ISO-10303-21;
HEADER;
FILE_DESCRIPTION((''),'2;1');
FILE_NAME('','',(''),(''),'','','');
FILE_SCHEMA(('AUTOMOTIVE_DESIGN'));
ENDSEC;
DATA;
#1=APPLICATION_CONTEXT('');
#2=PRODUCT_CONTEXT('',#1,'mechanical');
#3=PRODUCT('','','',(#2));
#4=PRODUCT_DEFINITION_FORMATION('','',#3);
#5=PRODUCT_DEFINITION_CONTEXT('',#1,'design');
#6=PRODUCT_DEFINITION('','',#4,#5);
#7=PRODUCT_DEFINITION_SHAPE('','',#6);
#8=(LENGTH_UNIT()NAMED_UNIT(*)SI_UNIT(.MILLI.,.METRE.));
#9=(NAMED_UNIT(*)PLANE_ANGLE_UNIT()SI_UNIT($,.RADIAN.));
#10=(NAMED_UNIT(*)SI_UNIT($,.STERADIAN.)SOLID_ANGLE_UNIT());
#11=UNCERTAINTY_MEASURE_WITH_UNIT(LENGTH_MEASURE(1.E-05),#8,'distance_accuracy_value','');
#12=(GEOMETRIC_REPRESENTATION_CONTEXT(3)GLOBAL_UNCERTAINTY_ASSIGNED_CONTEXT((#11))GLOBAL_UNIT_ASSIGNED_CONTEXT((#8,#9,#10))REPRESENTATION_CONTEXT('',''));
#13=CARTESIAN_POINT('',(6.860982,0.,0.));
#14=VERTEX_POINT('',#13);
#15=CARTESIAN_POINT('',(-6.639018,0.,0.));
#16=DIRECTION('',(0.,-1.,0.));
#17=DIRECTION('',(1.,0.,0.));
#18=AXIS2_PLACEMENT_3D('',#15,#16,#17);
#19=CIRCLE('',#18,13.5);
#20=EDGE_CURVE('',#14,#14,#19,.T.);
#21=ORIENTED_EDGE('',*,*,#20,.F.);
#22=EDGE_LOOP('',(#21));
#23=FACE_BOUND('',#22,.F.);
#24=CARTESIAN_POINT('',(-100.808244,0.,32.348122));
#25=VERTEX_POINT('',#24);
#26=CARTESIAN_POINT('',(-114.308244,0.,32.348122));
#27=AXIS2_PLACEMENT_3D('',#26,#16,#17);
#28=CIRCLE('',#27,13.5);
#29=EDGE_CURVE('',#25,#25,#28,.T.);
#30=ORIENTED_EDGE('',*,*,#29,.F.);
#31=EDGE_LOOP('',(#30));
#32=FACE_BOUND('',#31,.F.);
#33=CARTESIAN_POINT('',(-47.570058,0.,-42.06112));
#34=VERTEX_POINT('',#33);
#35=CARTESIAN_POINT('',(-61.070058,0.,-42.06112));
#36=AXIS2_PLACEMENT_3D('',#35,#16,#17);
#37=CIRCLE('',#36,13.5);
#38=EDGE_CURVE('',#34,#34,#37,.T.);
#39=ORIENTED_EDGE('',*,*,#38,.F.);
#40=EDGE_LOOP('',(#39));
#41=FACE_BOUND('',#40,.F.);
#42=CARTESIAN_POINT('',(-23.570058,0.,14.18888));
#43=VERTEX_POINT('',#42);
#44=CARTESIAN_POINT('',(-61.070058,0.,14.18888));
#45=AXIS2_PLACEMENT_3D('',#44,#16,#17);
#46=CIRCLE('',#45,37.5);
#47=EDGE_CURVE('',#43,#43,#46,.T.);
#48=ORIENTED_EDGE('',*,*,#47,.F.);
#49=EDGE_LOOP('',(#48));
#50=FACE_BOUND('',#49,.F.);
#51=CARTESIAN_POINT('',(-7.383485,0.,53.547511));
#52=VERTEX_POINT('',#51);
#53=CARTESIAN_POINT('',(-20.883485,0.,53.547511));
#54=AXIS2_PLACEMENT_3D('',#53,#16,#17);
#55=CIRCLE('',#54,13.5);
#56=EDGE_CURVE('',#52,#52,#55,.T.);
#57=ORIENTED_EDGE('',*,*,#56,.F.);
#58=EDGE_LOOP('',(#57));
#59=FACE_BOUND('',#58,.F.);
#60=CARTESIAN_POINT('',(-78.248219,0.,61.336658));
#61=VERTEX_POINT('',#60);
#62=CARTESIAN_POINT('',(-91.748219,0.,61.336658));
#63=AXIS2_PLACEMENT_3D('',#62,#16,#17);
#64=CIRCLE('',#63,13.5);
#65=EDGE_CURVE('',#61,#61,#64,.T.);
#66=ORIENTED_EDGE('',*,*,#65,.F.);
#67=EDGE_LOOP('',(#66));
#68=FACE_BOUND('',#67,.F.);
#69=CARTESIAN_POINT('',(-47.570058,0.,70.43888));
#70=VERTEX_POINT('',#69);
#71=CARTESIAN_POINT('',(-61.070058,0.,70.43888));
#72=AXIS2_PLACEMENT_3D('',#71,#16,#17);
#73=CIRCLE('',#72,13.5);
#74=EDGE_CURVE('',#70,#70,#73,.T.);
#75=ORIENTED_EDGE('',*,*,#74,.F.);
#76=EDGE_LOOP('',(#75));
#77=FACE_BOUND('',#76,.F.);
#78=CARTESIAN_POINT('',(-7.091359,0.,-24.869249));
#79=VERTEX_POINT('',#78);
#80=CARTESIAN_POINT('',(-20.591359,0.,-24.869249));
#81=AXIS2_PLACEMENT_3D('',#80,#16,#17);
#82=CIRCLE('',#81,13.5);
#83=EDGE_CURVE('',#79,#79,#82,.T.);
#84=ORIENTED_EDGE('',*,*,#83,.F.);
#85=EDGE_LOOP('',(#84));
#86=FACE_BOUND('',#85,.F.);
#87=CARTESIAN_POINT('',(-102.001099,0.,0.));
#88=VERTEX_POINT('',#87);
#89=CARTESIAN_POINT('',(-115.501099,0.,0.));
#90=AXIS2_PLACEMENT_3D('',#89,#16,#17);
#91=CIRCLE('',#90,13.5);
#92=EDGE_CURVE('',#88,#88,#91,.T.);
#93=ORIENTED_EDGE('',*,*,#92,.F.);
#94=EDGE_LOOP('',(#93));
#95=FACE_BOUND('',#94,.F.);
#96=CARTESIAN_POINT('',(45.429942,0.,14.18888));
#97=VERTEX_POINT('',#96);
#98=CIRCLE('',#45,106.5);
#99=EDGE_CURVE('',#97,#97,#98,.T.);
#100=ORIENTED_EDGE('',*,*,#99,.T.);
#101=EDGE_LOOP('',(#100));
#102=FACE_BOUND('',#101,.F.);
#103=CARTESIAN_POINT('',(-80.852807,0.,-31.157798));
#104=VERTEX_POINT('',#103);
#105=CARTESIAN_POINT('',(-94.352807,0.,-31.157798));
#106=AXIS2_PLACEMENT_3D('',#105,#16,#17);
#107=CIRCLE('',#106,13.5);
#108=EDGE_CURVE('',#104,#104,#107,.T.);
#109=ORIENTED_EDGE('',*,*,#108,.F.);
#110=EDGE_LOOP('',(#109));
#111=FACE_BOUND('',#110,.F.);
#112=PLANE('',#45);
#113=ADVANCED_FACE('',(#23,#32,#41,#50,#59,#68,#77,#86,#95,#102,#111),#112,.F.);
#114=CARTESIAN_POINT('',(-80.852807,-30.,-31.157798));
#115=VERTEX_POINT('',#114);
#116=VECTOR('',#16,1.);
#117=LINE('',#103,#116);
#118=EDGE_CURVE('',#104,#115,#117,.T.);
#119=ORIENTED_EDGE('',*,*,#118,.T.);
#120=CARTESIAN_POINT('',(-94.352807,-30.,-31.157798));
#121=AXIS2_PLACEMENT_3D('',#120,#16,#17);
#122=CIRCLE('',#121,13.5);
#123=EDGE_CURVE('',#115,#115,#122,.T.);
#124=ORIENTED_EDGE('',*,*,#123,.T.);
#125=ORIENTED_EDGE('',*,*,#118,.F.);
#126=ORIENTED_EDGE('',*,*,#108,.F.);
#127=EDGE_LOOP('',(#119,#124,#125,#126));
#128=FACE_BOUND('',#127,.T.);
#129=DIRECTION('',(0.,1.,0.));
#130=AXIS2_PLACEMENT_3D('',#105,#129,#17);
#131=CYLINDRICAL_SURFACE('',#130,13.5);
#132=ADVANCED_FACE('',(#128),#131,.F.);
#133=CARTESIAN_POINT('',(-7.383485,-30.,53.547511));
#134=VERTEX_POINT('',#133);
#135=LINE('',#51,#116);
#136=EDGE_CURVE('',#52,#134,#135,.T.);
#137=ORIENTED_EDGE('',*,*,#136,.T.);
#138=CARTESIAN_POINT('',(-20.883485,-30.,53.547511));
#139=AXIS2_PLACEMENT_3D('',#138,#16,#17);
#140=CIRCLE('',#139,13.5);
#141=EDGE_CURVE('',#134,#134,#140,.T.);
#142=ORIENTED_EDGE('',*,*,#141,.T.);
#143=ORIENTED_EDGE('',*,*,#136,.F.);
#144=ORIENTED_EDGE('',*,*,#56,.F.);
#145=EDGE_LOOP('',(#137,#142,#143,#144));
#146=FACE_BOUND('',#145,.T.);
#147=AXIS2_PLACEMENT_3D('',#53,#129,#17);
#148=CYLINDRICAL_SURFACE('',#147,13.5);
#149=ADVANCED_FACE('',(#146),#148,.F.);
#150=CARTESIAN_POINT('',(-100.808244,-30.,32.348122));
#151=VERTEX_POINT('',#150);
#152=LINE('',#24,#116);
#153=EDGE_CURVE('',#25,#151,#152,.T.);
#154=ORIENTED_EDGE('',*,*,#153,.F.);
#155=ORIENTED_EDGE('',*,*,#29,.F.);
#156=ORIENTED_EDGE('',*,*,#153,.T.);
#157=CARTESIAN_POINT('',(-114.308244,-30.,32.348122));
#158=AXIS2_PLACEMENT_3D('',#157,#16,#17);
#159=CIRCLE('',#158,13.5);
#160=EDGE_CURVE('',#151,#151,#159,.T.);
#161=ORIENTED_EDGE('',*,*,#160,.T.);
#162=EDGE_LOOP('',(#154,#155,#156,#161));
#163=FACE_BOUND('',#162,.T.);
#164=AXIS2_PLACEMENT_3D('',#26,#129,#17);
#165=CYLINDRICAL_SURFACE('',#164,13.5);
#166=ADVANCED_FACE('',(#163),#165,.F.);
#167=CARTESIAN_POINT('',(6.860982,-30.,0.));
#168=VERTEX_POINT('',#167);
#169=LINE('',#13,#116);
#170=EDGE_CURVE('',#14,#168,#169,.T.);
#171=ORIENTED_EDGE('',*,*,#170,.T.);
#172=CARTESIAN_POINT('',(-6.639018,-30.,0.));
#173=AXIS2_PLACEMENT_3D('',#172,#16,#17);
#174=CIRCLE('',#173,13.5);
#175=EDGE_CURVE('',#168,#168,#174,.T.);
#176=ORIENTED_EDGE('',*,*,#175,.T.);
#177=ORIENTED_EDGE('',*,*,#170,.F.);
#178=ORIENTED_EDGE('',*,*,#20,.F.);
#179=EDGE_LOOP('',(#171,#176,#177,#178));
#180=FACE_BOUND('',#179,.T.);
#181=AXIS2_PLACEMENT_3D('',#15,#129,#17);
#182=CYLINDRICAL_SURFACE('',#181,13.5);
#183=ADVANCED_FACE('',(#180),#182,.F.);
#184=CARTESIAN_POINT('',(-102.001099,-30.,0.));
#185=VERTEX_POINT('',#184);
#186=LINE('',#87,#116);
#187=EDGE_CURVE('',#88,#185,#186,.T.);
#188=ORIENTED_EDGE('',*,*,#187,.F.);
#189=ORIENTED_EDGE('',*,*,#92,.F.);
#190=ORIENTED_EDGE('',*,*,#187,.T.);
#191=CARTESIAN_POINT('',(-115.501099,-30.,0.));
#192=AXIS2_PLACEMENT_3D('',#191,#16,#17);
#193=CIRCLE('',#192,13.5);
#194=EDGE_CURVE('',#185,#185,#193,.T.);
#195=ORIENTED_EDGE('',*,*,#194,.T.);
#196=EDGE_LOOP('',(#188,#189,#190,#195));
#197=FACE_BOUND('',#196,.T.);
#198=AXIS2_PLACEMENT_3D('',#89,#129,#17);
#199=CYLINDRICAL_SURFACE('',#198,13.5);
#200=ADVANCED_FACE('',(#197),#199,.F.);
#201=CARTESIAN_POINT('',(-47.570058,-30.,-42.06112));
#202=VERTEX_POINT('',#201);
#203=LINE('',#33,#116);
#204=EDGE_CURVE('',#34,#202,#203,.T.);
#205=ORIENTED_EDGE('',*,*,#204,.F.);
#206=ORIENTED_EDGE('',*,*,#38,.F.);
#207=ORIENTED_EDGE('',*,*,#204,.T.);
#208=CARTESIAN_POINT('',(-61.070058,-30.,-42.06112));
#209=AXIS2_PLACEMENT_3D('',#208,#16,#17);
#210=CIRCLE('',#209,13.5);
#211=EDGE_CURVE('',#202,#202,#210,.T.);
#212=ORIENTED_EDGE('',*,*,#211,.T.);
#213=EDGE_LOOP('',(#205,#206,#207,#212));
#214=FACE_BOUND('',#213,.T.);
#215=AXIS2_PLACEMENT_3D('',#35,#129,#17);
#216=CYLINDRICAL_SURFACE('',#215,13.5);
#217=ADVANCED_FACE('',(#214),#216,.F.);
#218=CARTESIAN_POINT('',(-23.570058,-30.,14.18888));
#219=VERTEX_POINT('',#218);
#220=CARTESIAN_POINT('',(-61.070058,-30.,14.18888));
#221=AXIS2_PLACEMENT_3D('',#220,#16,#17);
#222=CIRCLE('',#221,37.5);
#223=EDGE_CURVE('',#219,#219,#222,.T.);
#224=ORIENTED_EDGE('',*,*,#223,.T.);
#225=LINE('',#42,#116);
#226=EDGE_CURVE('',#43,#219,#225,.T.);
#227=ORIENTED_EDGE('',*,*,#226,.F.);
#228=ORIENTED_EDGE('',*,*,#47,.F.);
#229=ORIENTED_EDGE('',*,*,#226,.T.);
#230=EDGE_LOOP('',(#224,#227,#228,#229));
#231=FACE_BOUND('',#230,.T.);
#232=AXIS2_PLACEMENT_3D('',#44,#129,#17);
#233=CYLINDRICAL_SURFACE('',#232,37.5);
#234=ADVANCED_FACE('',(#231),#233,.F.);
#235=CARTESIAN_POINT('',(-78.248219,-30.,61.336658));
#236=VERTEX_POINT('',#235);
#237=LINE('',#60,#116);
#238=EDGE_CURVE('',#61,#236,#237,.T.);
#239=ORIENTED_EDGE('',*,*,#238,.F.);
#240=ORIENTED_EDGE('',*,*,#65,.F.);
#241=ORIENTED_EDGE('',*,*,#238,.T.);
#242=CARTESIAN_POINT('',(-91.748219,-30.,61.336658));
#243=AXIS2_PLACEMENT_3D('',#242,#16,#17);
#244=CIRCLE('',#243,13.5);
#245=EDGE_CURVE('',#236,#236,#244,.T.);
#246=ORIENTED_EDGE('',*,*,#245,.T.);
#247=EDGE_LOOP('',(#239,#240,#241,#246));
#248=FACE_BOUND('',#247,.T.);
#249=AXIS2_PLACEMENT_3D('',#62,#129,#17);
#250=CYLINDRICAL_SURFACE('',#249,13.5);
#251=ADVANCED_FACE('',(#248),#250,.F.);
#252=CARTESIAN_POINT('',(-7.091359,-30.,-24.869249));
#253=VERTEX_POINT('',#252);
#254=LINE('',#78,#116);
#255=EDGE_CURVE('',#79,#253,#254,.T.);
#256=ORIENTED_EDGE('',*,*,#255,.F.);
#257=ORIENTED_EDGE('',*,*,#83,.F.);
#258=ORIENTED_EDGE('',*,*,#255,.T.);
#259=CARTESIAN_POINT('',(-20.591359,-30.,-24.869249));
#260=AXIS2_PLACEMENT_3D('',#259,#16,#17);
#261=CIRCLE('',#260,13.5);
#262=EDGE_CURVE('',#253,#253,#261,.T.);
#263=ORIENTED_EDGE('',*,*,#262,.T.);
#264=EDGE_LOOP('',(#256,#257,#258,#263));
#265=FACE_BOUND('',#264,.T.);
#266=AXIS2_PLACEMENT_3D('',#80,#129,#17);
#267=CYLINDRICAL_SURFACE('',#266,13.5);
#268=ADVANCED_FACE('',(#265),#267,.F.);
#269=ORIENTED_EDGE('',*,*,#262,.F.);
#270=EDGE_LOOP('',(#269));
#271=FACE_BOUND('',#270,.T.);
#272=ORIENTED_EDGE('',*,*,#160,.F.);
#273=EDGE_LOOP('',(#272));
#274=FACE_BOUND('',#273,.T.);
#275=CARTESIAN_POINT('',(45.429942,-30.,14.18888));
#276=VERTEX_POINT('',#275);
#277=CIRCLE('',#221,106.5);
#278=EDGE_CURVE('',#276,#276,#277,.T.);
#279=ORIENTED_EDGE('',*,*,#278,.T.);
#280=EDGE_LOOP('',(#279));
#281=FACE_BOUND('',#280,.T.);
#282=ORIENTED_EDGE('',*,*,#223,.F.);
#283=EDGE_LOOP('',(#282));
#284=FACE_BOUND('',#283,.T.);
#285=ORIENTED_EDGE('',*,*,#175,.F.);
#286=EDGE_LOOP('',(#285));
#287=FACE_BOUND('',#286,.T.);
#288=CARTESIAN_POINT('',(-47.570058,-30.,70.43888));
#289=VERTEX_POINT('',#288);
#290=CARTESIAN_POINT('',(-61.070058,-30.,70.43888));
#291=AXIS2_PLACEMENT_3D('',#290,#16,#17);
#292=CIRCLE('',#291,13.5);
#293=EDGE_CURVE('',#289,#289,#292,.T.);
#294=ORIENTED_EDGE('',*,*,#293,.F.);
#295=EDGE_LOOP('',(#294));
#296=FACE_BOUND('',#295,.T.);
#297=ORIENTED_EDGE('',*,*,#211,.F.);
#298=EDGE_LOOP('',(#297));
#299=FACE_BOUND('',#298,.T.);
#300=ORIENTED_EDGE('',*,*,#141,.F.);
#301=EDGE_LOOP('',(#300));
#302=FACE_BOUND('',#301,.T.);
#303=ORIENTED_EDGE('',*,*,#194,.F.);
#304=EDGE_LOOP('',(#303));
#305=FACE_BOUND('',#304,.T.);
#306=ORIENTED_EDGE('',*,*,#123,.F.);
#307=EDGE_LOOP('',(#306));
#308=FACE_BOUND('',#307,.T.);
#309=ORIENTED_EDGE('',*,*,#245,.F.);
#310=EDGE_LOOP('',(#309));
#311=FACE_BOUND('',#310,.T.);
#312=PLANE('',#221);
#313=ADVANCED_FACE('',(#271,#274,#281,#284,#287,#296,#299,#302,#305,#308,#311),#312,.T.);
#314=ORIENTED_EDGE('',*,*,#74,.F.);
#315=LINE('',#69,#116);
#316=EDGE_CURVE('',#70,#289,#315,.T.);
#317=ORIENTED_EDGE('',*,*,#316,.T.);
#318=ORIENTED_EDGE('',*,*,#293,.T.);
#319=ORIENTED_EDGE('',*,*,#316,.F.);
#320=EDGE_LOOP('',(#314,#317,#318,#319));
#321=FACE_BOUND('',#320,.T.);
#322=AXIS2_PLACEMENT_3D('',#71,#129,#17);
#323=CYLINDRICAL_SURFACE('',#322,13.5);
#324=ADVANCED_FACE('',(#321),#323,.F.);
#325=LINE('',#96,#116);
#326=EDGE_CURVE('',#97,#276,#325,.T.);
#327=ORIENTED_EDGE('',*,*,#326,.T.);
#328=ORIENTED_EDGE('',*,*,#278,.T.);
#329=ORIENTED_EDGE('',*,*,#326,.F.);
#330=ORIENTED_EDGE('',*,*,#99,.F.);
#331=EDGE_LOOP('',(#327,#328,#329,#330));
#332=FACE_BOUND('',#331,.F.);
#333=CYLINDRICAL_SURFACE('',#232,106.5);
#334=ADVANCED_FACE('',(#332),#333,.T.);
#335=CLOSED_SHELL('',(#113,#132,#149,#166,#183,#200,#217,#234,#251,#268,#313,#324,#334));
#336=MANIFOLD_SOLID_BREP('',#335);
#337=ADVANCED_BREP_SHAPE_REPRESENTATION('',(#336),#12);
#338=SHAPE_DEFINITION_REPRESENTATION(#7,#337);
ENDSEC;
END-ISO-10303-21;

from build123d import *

# Parameters (mm, degrees)
F0_R     = 106.5
F0_R_2   = 75
F0_R_3   = 13.5
F0_R_4   = 37.5
F1_DEPTH = 30


with BuildPart() as f1:
    # F0 (on Front) → F1 (new body)
    with BuildSketch(Plane.XZ):
        with Locations((-61.070058, 14.18888)):
            Circle(F0_R)
        with Locations((-61.070058, 14.18888)):
            Circle(F0_R_2, mode=Mode.SUBTRACT)
        with Locations((-61.070058, 14.18888)):
            Circle(F0_R_2)
        with Locations((-115.501099, 0)):
            Circle(F0_R_3, mode=Mode.SUBTRACT)
        with Locations((-94.352807, -31.157798)):
            Circle(F0_R_3, mode=Mode.SUBTRACT)
        with Locations((-61.070058, -42.06112)):
            Circle(F0_R_3, mode=Mode.SUBTRACT)
        with Locations((-20.591359, -24.869249)):
            Circle(F0_R_3, mode=Mode.SUBTRACT)
        with Locations((-6.639018, 0)):
            Circle(F0_R_3, mode=Mode.SUBTRACT)
        with Locations((-114.308244, 32.348122)):
            Circle(F0_R_3, mode=Mode.SUBTRACT)
        with Locations((-91.748219, 61.336658)):
            Circle(F0_R_3, mode=Mode.SUBTRACT)
        with Locations((-61.070058, 14.18888)):
            Circle(F0_R_4, mode=Mode.SUBTRACT)
        with Locations((-20.883485, 53.547511)):
            Circle(F0_R_3, mode=Mode.SUBTRACT)
        with Locations((-61.070058, 70.43888)):
            Circle(F0_R_3, mode=Mode.SUBTRACT)
    extrude(amount=F1_DEPTH)


solid = f1.part
